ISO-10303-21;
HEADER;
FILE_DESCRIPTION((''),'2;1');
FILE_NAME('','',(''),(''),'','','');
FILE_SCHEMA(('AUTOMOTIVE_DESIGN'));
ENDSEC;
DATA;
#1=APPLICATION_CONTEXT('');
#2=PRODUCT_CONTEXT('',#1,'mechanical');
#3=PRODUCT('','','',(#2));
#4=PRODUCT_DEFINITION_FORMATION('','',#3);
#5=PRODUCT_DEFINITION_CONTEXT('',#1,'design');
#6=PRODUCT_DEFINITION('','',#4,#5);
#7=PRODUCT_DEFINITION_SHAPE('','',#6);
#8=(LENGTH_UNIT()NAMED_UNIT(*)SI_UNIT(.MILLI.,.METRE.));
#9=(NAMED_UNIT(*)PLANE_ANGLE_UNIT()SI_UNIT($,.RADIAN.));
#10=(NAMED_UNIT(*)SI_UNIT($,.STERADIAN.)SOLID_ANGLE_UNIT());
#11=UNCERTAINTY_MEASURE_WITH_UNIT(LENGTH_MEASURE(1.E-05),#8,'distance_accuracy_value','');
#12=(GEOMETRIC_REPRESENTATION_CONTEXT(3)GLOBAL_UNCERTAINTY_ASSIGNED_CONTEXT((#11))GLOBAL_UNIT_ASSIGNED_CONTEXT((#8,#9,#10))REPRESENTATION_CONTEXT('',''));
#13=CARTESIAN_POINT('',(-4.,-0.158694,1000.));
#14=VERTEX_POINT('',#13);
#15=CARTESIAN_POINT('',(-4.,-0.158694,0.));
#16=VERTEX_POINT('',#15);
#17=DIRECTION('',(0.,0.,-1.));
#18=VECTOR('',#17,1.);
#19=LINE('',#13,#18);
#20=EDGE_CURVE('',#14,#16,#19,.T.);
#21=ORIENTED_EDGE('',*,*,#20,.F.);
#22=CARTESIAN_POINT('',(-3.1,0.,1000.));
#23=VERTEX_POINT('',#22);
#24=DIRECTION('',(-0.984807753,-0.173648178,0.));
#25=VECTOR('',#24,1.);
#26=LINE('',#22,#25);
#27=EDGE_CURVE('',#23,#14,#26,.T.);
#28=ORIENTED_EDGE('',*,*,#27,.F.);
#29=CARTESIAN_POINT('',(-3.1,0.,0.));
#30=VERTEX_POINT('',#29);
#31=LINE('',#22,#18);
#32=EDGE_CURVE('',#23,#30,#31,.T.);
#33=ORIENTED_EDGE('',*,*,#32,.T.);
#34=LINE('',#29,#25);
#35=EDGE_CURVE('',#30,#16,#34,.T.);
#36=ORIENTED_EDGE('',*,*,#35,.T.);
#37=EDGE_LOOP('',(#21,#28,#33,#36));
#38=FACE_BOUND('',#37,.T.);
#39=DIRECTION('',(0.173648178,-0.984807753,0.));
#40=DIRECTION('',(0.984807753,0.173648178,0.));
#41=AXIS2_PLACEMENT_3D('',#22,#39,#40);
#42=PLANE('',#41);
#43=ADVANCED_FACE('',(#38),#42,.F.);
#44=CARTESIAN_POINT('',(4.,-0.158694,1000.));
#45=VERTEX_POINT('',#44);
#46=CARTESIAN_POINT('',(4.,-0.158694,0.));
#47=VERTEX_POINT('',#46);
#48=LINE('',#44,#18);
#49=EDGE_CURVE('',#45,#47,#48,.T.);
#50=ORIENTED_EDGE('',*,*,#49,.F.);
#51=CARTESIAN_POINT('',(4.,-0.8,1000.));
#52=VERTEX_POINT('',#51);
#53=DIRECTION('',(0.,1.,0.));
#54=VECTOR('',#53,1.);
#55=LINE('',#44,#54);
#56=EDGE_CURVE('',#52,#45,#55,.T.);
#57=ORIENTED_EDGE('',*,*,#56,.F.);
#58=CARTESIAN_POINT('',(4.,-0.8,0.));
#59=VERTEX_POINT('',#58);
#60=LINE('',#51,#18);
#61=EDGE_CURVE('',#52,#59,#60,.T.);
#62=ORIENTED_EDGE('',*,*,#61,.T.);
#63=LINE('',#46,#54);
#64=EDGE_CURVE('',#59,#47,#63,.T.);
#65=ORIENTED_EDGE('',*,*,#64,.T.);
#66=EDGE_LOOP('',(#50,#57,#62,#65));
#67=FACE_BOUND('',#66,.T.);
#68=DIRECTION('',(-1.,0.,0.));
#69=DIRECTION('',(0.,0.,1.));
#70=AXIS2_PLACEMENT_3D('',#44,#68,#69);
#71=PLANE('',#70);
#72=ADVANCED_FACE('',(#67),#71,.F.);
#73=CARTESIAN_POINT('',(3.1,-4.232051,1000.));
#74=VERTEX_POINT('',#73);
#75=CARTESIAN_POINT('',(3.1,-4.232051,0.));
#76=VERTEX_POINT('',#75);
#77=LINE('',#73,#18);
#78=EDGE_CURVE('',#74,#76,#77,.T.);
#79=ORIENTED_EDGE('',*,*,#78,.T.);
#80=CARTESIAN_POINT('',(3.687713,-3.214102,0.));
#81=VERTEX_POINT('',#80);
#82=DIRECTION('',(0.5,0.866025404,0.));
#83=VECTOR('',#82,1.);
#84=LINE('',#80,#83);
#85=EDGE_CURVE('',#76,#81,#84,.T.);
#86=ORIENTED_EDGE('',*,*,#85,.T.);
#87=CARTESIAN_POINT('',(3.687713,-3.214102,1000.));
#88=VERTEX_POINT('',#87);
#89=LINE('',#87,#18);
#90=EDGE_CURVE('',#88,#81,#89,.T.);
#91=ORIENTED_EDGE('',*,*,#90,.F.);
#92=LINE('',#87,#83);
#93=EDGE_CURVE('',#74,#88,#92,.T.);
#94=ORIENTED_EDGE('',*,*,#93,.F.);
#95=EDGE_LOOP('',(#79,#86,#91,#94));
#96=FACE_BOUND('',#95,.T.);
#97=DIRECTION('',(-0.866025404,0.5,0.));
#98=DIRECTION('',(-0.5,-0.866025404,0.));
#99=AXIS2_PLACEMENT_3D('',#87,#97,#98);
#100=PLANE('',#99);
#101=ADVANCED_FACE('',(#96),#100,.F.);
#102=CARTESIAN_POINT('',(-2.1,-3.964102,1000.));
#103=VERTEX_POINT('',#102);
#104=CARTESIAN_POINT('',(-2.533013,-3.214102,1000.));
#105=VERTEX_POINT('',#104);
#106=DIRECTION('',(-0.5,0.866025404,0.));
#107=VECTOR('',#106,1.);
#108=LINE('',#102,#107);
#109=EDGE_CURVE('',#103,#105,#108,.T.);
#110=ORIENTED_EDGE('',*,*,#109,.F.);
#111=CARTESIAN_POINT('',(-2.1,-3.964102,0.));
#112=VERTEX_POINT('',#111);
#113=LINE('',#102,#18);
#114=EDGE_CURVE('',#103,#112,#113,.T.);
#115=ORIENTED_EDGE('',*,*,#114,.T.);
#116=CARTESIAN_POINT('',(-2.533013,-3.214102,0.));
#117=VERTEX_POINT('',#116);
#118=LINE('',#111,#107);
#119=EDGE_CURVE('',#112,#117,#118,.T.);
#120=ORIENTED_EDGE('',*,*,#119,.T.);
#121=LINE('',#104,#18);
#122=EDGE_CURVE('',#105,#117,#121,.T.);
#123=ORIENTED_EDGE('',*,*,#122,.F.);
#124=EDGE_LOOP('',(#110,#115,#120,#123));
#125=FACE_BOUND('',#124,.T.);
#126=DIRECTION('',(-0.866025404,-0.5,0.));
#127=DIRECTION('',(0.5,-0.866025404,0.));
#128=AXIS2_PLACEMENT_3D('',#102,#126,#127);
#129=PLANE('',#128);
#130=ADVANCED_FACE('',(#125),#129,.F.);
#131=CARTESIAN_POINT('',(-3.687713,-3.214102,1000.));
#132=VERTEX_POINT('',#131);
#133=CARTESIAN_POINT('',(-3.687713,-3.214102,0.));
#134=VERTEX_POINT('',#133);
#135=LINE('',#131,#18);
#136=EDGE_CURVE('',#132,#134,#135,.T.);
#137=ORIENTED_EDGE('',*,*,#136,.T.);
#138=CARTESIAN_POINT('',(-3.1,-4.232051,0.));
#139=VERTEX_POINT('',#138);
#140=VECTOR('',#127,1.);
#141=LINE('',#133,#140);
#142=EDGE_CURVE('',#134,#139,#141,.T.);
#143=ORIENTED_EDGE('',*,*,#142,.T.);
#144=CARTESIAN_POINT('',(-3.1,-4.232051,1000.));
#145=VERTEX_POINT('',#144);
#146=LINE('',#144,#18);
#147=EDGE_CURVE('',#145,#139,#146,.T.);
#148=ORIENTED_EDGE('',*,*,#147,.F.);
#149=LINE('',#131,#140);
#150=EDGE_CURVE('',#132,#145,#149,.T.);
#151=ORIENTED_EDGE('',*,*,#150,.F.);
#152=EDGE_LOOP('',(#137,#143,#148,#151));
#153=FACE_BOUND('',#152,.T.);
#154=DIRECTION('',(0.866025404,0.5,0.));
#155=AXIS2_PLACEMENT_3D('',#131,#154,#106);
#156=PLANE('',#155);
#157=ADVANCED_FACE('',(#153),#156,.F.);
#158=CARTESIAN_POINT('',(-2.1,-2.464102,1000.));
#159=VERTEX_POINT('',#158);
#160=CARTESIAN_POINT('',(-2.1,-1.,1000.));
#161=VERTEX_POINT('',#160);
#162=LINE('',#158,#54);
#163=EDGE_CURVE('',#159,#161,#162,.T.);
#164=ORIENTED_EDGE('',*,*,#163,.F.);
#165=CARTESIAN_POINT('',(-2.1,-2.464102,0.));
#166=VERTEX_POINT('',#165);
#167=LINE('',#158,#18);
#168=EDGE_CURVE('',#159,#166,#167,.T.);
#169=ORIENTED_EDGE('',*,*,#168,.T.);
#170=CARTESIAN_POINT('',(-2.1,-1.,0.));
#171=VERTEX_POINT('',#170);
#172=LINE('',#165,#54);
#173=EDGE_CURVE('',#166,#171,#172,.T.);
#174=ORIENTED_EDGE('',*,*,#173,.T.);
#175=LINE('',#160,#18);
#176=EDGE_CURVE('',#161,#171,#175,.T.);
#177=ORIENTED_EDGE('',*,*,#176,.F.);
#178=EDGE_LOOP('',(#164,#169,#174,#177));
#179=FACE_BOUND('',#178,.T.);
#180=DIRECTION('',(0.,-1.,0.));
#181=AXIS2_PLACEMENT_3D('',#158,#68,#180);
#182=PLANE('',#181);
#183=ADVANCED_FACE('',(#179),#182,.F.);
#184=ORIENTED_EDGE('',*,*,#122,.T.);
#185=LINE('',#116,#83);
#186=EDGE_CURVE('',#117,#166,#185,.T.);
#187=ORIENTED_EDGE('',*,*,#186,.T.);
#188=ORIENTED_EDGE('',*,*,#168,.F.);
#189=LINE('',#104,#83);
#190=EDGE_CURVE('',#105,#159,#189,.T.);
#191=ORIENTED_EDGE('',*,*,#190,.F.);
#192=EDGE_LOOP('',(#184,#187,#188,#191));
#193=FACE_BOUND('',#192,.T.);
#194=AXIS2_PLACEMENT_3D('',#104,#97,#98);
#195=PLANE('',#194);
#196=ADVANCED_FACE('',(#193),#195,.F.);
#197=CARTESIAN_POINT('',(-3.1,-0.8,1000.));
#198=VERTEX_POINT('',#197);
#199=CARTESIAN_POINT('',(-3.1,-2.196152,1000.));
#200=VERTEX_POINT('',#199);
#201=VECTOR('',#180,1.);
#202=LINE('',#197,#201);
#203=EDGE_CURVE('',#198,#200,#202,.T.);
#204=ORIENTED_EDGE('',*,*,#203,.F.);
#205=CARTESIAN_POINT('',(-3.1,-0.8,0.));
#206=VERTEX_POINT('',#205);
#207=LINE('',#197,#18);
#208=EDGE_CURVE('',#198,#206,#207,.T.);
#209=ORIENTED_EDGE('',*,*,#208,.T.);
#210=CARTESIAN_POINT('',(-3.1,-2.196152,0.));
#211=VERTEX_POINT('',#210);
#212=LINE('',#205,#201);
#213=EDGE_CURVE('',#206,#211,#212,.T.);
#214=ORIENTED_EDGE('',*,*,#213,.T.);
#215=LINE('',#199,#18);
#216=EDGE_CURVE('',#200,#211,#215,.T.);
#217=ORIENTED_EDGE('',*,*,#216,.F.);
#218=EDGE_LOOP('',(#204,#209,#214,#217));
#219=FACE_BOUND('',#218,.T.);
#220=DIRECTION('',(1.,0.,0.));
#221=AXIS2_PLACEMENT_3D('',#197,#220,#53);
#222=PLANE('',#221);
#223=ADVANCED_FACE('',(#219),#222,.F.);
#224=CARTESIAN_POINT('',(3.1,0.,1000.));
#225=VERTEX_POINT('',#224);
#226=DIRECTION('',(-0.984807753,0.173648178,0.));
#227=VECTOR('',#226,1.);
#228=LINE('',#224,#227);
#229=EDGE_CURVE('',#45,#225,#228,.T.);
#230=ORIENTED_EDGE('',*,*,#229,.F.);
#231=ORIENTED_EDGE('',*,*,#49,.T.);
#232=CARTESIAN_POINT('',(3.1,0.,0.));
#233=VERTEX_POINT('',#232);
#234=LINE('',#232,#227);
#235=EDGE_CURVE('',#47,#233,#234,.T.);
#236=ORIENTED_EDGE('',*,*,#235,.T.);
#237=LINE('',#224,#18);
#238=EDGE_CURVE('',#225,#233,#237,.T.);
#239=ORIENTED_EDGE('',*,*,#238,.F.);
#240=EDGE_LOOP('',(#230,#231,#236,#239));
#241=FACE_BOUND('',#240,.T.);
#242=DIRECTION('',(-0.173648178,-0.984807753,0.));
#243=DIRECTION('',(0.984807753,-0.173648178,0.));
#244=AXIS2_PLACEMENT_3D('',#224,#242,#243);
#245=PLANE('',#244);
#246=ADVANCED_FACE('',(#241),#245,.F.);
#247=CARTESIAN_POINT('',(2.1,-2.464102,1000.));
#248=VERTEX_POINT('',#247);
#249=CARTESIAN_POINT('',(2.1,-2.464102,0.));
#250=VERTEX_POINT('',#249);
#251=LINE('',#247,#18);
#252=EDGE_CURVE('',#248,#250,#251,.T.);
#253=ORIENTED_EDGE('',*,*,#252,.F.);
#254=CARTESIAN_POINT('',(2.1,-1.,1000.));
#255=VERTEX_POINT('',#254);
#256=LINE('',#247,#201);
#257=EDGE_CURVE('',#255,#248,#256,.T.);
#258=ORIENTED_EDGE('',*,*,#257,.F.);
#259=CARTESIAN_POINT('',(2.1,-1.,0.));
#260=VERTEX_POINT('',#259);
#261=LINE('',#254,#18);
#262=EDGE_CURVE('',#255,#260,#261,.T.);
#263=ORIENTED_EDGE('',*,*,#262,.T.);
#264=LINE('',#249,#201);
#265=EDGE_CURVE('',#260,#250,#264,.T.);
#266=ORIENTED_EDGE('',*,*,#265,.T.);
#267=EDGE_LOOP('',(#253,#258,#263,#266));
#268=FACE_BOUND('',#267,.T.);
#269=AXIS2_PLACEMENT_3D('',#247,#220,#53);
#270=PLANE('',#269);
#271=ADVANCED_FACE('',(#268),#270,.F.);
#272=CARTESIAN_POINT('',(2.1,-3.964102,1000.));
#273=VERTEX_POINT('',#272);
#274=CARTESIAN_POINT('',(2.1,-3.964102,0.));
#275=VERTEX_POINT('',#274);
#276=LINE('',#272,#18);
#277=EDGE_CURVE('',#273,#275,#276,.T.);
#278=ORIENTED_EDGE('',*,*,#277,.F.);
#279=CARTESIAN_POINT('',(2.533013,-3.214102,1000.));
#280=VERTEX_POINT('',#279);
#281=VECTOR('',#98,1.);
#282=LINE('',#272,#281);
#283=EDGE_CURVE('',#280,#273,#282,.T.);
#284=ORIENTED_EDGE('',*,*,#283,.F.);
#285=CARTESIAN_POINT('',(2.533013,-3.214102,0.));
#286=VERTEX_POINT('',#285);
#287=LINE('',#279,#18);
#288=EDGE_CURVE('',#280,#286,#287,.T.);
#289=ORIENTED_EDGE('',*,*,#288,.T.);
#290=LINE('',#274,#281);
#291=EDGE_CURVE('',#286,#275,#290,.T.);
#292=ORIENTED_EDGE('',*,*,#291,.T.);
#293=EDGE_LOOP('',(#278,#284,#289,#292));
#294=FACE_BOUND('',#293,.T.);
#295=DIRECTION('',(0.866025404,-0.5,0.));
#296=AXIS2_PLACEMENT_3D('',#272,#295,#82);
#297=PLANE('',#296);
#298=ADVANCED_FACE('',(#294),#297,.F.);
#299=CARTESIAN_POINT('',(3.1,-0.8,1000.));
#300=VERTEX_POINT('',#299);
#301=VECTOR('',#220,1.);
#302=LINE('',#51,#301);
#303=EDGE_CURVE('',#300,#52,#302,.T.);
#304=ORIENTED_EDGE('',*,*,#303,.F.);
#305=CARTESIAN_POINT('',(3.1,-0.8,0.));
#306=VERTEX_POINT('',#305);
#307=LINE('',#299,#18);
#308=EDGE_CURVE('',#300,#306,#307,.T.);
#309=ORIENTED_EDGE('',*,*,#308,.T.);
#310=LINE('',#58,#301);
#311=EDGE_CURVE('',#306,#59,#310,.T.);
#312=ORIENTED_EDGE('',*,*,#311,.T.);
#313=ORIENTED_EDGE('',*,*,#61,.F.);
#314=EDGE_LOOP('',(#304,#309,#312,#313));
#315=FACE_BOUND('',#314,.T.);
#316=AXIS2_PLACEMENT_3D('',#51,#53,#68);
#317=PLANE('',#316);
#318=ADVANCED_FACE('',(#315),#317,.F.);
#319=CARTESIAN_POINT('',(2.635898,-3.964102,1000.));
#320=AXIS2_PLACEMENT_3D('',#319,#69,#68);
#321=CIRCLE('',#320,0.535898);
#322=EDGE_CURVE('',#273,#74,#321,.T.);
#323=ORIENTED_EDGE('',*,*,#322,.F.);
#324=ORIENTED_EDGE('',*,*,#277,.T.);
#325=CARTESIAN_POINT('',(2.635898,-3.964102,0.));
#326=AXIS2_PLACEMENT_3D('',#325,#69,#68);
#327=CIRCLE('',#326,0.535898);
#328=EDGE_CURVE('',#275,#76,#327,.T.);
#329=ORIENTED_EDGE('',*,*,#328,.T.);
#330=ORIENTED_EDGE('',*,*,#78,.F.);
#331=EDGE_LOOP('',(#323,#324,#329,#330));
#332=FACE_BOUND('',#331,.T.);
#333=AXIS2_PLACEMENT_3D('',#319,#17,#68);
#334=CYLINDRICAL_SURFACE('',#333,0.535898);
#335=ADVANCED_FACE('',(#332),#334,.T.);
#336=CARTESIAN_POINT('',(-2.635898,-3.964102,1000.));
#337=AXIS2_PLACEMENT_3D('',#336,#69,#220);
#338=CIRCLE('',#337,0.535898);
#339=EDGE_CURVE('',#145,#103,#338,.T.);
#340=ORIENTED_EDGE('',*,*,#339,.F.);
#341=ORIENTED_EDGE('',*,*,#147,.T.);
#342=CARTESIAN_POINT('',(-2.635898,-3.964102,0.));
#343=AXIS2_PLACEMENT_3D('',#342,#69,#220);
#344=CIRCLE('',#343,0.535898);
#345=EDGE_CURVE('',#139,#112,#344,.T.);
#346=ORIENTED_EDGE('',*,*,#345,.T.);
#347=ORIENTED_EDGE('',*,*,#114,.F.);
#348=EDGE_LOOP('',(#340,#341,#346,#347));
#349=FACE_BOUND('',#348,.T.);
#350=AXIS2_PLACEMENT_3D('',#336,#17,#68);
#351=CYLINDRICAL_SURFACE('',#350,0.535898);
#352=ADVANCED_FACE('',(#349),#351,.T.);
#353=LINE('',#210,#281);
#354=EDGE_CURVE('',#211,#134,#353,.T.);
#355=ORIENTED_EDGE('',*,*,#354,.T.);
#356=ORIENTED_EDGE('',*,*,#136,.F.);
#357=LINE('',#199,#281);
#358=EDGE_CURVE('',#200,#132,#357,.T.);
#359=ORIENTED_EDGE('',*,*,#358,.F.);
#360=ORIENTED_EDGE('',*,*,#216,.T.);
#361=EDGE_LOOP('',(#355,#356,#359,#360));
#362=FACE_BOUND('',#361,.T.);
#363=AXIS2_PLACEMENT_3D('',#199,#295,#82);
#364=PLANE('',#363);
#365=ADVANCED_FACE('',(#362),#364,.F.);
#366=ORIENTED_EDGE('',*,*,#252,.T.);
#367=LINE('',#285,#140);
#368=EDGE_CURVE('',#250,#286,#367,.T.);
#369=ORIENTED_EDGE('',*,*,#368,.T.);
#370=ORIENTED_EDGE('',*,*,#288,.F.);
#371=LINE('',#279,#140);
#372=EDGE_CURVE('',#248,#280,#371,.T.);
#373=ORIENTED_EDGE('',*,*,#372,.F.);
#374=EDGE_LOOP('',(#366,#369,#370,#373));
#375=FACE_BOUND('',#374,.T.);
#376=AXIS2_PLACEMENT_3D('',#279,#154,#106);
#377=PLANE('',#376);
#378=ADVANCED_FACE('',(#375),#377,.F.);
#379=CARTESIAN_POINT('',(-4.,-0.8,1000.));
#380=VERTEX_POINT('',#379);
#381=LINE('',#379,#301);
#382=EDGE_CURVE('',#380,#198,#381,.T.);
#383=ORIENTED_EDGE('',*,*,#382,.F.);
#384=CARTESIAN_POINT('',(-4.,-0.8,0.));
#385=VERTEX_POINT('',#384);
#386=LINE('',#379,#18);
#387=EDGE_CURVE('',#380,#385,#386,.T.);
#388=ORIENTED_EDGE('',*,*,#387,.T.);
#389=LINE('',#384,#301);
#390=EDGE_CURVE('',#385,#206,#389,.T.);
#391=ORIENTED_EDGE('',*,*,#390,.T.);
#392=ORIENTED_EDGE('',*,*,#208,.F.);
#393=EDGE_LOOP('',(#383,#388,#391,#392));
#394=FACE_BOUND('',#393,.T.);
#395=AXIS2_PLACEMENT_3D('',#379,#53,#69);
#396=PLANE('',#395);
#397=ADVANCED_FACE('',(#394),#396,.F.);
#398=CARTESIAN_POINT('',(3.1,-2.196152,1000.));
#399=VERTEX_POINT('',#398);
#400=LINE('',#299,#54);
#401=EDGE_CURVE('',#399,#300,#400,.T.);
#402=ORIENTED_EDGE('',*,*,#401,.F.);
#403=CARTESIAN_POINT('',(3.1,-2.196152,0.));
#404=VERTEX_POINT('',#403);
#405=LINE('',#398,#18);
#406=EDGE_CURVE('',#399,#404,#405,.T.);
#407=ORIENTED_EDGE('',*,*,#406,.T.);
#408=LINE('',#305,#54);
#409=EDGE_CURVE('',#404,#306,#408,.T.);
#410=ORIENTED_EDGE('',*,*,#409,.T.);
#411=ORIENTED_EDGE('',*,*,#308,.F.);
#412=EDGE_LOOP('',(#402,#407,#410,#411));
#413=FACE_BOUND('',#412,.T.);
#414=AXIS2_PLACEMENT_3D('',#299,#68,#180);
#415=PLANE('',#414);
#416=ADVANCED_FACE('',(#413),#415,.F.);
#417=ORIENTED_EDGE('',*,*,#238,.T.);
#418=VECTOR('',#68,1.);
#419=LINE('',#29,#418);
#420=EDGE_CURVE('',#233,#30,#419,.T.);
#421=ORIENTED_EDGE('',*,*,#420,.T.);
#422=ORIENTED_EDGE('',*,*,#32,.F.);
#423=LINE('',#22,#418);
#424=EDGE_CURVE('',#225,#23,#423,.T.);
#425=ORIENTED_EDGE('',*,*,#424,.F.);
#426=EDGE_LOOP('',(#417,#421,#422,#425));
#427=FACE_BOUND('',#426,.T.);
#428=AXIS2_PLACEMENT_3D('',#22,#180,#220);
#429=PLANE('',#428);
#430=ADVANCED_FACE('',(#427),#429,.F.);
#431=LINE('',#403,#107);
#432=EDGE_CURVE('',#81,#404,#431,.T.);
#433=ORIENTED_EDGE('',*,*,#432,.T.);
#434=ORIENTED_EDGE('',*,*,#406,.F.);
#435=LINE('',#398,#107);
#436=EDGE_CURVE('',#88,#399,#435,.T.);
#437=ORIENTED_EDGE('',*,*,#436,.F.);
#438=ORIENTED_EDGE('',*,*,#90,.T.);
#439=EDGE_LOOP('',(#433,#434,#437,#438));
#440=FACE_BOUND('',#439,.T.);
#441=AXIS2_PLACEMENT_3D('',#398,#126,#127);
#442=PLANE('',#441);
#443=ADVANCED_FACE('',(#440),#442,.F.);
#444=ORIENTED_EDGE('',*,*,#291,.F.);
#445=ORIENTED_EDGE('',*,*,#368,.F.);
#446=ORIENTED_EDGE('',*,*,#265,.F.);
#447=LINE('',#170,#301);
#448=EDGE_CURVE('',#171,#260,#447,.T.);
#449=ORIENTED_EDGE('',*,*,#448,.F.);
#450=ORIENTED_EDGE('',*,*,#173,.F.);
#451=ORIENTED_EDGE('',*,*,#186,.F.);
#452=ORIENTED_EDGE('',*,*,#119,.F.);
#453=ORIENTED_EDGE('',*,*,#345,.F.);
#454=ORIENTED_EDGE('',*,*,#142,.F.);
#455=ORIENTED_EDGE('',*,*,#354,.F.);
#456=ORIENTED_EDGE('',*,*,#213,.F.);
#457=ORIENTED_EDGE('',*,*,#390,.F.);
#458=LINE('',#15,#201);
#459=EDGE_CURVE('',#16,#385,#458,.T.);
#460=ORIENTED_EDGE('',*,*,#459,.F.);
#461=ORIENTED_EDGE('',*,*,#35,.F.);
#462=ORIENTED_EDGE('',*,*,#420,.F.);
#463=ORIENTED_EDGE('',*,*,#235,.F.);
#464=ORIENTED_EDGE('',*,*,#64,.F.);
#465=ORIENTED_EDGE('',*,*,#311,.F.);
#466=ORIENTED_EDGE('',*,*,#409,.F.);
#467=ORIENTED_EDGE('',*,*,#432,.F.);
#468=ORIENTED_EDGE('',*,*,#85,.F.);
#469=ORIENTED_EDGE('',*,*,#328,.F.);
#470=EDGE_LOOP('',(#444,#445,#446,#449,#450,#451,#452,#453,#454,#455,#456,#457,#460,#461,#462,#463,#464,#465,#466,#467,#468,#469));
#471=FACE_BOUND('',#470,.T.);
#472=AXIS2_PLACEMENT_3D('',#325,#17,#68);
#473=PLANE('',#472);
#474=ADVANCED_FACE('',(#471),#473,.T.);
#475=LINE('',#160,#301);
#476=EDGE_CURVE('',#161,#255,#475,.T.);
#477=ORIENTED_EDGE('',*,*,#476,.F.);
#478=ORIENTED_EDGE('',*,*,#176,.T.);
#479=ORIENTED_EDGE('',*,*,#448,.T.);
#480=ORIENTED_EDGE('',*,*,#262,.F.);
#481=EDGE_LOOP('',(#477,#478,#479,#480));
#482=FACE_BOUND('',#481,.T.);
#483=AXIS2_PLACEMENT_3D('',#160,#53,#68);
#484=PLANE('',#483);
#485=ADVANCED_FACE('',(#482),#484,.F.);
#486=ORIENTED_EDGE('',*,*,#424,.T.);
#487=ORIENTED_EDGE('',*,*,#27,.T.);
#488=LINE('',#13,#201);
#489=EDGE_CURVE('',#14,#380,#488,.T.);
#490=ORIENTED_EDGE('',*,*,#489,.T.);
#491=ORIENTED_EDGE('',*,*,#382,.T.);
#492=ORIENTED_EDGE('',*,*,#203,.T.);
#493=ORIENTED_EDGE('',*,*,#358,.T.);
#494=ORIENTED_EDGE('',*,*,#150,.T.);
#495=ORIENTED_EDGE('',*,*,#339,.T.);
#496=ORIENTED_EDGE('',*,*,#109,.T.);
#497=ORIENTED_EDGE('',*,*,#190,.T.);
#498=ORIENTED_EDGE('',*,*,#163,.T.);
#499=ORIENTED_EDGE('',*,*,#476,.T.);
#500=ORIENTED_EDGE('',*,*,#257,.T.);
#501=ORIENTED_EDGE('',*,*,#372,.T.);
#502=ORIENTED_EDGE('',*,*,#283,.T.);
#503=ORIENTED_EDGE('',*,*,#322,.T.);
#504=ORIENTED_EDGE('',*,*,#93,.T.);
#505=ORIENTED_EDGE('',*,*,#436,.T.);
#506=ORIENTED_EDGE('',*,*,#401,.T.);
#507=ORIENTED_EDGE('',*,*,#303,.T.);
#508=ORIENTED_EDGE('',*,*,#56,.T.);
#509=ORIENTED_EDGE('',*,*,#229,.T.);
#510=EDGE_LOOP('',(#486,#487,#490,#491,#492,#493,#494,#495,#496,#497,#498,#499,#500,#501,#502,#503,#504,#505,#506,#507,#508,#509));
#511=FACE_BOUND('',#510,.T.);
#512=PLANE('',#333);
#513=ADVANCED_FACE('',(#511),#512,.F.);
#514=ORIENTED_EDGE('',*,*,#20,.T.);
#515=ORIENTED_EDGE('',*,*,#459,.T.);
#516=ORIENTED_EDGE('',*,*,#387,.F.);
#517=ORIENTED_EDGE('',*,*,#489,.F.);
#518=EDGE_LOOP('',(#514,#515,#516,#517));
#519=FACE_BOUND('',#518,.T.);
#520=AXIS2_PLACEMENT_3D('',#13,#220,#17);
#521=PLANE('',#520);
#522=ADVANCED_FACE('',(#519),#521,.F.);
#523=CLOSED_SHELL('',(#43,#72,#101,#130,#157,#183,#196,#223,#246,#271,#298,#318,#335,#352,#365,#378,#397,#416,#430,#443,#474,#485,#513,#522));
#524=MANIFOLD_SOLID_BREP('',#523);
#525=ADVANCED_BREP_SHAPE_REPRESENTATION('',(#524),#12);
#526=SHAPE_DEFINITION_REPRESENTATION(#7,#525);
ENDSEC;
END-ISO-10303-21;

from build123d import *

# Parameters (mm, degrees)
EXTRUDE_1_DEPTH = 1000


with BuildPart() as part:
    # Эскиз1 → Бобышка-Вытянуть1 (new body)
    with BuildSketch(Plane.XY):
        with BuildLine():
            Line((-3.1, 0), (-4, -0.158694283))
            Line((-4, -0.158694283), (-4, -0.8))
            Line((-4, -0.8), (-3.1, -0.8))
            Line((-3.1, -0.8), (-3.1, -2.196152423))
            Line((-3.1, -2.196152423), (-3.68771324, -3.214101615))
            Line((-3.68771324, -3.214101615), (-3.1, -4.232050808))
            ThreePointArc((-3.1, -4.232050808), (-2.497197677, -4.481739705), (-2.1, -3.964101615))
            Line((-2.1, -3.964101615), (-2.533012702, -3.214101615))
            Line((-2.533012702, -3.214101615), (-2.1, -2.464101615))
            Line((-2.1, -2.464101615), (-2.1, -1))
            Line((-2.1, -1), (2.1, -1))
            Line((2.1, -1), (2.1, -2.464101615))
            Line((2.1, -2.464101615), (2.533012702, -3.214101615))
            Line((2.533012702, -3.214101615), (2.1, -3.964101615))
            ThreePointArc((2.1, -3.964101615), (2.497197677, -4.481739705), (3.1, -4.232050808))
            Line((3.1, -4.232050808), (3.68771324, -3.214101615))
            Line((3.68771324, -3.214101615), (3.1, -2.196152423))
            Line((3.1, -2.196152423), (3.1, -0.8))
            Line((3.1, -0.8), (4, -0.8))
            Line((4, -0.8), (4, -0.158694283))
            Line((4, -0.158694283), (3.1, 0))
            Line((3.1, 0), (-3.1, 0))
        make_face()
    extrude(amount=EXTRUDE_1_DEPTH)


solid = part.part
